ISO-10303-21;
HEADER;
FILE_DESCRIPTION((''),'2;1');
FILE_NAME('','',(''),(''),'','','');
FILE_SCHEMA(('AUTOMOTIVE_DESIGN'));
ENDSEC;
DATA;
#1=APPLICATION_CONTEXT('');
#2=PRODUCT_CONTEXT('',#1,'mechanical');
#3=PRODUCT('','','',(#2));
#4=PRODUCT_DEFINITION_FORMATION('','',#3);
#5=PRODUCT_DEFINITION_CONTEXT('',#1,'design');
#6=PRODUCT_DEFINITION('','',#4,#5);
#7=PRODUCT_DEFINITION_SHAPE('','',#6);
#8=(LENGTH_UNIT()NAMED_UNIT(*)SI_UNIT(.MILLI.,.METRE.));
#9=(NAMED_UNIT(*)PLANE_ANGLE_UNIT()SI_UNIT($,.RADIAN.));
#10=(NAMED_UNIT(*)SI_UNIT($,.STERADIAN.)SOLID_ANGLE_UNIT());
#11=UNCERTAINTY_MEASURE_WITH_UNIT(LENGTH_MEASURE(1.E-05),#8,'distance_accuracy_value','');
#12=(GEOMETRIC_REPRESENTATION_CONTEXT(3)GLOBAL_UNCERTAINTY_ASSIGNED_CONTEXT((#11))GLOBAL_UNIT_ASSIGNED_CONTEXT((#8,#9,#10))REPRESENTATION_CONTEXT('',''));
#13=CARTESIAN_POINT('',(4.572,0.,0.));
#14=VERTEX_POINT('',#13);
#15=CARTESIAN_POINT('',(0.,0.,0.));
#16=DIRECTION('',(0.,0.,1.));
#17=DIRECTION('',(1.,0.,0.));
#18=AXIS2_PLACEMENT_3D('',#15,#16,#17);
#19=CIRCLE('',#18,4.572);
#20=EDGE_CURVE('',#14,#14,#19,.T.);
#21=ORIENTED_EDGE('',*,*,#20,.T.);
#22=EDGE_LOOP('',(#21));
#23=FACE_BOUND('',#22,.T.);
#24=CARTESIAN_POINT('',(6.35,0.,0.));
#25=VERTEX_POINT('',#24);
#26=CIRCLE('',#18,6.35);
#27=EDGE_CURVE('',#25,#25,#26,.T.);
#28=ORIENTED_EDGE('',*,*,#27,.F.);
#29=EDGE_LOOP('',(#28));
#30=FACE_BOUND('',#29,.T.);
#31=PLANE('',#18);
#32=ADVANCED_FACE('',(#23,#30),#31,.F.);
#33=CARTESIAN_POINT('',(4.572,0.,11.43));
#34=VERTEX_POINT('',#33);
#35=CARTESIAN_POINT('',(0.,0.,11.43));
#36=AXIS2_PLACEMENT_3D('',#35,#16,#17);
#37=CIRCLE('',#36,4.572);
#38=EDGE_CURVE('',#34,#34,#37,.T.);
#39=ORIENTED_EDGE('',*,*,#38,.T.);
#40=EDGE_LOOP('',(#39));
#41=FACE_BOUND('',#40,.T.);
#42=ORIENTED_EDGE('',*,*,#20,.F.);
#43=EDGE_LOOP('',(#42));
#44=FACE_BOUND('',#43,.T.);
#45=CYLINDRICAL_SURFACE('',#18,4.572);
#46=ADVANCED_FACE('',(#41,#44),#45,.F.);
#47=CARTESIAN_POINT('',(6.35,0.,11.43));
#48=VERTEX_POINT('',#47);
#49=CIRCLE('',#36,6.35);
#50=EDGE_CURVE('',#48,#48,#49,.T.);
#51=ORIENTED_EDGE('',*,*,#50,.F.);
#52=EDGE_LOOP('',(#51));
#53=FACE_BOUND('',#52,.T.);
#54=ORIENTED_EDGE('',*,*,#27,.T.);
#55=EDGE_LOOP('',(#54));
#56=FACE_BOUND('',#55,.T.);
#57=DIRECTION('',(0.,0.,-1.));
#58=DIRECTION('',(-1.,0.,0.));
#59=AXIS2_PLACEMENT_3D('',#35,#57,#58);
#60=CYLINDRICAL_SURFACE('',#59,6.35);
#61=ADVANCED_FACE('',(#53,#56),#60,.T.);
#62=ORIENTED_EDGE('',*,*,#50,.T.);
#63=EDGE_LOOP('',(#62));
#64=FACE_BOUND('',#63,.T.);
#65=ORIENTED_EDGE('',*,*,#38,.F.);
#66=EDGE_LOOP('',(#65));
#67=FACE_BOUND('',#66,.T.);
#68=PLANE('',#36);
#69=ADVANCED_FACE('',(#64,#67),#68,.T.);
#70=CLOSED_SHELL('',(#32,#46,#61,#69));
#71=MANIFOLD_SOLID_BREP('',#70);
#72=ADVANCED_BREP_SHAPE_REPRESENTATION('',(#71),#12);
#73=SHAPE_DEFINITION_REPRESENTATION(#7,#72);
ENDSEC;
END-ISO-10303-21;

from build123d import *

# Parameters (mm, degrees)
SKETCH1_R           = 6.35
BOSS_EXTRUDE1_DEPTH = 11.43
SKETCH2_R           = 4.572
CUT_EXTRUDE1_DEPTH  = 15.535814391


with BuildPart() as part:
    # Sketch1 → Boss-Extrude1 (new body)
    with BuildSketch(Plane.XY):
        Circle(SKETCH1_R)
    extrude(amount=BOSS_EXTRUDE1_DEPTH)

    # Sketch2 → Cut-Extrude1 (cut, through all)
    with BuildSketch(Plane.XY.offset(11.43)):
        Circle(SKETCH2_R)
    extrude(amount=-CUT_EXTRUDE1_DEPTH, mode=Mode.SUBTRACT)


solid = part.part
